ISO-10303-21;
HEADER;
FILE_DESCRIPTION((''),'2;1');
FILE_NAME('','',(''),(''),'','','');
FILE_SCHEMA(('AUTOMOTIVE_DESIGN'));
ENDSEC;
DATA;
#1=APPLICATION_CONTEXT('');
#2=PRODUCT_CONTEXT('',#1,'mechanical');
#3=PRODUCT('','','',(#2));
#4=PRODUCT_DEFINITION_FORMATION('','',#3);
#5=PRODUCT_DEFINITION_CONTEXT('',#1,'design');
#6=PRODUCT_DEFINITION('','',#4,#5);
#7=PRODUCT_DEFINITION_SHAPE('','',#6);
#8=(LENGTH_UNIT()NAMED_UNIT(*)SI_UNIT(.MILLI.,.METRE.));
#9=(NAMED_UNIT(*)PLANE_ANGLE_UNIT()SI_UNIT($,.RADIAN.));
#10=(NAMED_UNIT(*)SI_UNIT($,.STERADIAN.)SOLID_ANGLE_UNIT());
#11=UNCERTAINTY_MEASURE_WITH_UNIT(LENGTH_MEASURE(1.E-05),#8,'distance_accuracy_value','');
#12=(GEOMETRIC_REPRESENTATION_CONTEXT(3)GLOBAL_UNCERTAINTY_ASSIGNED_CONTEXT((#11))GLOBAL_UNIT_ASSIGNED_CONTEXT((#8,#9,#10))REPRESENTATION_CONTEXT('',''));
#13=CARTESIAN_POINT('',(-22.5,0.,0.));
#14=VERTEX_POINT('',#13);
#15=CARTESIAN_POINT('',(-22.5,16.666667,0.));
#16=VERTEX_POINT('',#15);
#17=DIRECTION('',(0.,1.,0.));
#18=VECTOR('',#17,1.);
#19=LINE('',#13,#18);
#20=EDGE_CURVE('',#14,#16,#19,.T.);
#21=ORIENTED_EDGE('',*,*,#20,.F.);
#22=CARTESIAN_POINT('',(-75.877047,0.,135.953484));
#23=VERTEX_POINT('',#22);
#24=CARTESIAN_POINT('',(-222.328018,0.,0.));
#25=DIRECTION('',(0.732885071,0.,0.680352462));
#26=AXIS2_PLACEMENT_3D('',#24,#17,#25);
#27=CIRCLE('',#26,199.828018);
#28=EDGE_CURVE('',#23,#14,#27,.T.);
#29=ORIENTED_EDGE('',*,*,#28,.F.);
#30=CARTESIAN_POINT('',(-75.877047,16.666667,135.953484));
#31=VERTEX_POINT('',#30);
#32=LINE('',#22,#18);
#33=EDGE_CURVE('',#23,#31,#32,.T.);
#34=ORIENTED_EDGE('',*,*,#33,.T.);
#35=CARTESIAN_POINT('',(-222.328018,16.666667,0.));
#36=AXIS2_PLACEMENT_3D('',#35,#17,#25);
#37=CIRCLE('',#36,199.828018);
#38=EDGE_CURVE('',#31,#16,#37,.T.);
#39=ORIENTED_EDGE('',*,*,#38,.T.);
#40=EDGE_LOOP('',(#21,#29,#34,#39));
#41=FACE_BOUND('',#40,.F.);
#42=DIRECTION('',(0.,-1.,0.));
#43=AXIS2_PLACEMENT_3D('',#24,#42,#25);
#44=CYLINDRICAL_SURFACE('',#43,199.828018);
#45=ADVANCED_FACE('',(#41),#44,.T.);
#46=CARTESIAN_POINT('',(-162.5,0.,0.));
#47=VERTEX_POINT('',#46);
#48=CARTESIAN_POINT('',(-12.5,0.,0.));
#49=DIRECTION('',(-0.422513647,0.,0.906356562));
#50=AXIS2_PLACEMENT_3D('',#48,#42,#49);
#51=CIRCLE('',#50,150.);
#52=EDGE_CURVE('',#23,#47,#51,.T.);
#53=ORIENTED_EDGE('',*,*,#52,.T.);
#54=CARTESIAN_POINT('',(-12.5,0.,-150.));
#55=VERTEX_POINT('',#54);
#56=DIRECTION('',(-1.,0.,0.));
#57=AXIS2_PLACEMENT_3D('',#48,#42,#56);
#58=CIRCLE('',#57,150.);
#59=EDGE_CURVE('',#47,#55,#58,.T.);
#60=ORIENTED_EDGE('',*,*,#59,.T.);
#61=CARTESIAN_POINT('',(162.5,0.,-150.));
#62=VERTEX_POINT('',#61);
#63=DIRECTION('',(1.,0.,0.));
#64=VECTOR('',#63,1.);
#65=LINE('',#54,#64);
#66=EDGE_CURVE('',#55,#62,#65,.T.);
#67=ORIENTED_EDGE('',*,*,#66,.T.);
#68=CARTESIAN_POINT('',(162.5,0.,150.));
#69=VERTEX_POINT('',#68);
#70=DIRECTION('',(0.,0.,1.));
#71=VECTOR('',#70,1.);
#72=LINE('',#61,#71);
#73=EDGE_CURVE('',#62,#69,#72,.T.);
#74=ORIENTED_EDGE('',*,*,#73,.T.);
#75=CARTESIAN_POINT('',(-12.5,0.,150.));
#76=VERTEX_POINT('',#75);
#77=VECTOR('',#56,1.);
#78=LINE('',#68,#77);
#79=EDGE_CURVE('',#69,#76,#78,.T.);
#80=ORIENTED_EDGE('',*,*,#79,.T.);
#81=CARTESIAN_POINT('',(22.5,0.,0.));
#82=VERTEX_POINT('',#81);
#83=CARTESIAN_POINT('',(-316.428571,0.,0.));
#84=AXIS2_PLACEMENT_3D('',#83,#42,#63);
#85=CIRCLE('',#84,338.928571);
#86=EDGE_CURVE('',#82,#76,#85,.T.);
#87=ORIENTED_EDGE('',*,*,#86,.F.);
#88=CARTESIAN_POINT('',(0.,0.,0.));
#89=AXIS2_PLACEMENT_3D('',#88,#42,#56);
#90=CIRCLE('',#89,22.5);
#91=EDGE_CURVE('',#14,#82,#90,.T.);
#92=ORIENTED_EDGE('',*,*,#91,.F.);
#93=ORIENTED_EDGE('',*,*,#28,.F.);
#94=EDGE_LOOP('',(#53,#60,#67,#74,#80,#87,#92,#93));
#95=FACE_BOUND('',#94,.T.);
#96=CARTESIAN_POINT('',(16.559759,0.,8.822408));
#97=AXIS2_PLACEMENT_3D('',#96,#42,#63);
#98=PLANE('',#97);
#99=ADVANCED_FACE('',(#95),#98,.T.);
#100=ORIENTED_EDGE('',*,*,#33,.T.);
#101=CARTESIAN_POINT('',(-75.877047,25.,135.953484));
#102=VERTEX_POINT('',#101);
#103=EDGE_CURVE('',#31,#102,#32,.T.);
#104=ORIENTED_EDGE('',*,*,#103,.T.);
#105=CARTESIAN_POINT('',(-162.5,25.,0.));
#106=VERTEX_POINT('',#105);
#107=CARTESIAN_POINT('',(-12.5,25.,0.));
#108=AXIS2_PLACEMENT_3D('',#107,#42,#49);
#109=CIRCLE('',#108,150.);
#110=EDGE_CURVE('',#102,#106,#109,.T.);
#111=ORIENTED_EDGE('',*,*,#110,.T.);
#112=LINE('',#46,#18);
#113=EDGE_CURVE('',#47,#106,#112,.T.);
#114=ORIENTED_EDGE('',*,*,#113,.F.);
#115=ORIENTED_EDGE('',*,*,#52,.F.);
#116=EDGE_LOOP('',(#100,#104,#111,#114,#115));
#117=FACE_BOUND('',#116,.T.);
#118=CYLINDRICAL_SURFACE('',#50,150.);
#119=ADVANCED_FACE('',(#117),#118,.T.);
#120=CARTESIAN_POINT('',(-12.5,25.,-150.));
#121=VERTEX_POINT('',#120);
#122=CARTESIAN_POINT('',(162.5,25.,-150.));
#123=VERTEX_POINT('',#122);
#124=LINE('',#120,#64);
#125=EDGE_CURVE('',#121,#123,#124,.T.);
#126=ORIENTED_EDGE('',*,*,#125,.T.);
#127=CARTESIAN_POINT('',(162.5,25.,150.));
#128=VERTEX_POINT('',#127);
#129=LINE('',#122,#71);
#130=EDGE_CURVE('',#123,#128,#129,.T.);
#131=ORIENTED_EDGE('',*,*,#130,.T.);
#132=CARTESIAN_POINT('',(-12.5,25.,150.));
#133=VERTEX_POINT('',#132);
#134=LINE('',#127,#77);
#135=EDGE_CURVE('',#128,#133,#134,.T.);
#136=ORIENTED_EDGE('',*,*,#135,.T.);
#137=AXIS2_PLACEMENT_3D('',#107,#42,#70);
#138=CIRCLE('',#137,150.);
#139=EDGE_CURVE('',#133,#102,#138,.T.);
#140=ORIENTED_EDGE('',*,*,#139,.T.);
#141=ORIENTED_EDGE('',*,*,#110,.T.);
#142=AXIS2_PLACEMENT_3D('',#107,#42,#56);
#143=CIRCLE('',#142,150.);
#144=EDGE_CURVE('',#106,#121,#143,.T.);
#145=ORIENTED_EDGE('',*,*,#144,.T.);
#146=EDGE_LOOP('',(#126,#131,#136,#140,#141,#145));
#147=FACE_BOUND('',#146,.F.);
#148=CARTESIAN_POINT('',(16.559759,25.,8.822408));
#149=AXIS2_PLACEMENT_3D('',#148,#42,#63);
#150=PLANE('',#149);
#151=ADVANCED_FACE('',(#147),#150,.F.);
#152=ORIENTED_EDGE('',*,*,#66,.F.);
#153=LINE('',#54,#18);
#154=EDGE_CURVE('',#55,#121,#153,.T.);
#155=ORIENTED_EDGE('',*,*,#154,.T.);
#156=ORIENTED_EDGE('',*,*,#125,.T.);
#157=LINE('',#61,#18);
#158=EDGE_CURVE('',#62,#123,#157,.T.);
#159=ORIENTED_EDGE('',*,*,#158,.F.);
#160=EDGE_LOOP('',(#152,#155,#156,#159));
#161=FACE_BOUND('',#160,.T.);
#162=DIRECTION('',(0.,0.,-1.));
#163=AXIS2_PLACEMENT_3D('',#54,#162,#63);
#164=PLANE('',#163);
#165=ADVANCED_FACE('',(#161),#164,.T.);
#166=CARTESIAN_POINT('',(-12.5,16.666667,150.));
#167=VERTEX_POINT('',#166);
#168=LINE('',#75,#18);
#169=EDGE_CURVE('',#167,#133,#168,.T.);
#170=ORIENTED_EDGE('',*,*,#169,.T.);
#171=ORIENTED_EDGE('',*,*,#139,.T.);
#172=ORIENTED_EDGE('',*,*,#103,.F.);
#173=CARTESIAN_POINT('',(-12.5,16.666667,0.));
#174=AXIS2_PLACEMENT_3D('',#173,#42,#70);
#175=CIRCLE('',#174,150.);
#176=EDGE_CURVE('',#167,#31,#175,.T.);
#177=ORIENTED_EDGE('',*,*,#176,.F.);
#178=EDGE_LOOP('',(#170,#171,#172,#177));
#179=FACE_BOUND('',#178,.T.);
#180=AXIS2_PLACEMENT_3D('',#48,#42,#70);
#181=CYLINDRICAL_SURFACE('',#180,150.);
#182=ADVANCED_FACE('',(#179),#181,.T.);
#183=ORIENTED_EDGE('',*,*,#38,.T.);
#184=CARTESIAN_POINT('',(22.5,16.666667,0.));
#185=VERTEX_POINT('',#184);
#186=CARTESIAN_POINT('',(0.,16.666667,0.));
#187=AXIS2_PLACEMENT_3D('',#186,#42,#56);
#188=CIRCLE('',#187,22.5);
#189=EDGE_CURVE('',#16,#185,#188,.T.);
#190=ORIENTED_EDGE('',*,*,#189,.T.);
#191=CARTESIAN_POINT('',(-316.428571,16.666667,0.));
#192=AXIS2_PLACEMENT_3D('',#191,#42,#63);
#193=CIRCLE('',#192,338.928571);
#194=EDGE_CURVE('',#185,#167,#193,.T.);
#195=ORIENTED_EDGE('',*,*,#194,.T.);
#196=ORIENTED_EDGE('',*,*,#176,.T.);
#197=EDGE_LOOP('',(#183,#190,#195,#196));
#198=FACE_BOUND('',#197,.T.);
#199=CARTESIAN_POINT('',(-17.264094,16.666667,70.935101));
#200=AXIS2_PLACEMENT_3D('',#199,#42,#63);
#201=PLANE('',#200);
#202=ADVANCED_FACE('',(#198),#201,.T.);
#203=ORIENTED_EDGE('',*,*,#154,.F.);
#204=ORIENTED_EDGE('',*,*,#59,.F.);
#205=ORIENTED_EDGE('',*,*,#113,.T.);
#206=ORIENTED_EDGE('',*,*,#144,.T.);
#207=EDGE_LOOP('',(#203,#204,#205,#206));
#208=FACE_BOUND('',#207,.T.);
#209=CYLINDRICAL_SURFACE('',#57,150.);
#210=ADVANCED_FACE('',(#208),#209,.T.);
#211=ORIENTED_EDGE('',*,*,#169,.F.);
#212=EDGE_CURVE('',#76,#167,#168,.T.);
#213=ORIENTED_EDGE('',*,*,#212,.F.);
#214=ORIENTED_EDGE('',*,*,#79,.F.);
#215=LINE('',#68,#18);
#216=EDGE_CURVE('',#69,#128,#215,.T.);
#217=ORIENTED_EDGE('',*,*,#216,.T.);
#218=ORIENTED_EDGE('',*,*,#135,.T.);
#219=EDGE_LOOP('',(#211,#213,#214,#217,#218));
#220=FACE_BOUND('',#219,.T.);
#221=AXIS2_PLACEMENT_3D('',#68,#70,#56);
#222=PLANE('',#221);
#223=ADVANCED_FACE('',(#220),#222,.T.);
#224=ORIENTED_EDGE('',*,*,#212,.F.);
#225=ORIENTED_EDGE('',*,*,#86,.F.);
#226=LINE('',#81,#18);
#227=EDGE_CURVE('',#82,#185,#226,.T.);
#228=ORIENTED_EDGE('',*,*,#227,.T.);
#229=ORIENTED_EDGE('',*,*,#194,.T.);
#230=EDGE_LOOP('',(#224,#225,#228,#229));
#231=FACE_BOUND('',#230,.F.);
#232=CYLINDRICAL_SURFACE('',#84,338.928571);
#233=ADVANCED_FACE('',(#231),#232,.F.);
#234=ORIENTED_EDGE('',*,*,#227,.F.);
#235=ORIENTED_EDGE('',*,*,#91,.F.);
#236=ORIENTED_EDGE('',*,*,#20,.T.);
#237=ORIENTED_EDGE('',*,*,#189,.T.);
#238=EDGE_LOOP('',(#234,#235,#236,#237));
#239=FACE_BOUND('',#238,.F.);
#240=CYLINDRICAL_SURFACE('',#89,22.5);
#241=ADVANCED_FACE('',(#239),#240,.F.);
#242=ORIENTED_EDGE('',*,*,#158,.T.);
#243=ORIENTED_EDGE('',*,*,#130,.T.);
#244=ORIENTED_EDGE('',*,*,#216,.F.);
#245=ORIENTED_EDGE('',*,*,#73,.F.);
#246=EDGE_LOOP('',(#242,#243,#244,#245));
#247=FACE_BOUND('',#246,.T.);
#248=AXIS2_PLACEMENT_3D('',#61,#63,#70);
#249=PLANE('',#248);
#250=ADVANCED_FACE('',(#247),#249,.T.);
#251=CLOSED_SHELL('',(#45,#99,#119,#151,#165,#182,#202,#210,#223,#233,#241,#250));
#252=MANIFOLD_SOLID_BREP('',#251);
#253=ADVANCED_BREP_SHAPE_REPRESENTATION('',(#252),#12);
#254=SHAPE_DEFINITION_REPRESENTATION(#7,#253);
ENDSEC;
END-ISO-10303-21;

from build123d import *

# Parameters (mm, degrees)
F3_DEPTH = 25
F4_DEPTH = 16.6666666667
F5_W     = 25
F5_H     = 300
F6_DEPTH = 400


with BuildPart() as f3:
    # F2 (on Front) → F3 (new body)
    with BuildSketch(Plane.XZ):
        with BuildLine():
            Line((162.5, 150), (-12.5, 150))
            ThreePointArc((-12.5, 150), (13.6340385875, 77.0146090037), (22.5, 0))
            ThreePointArc((22.5, 0), (0, -22.5), (-22.5, 0))
            ThreePointArc((-22.5, 0), (-36.3223137223, 73.0281778836), (-75.877047, 135.9534843745))
            ThreePointArc((-75.877047, 135.9534843745), (-139.0040652509, 80.6022423696), (-162.5, 0))
            ThreePointArc((-162.5, 0), (-118.566017178, -106.066017178), (-12.5, -150))
            Line((-12.5, -150), (162.5, -150))
            Line((162.5, -150), (162.5, 150))
        make_face()
        with BuildLine():
            ThreePointArc((22.5, 0), (13.6340385875, 77.0146090037), (-12.5, 150))
            ThreePointArc((-12.5, 150), (-44.9574902282, 146.4462745449), (-75.877047, 135.9534843745))
            ThreePointArc((-75.877047, 135.9534843745), (-36.3223137223, 73.0281778836), (-22.5, 0))
            ThreePointArc((-22.5, 0), (0, -22.5), (22.5, 0))
        make_face()
    extrude(amount=-F3_DEPTH)

    # F2 (on Front) → F4 (cut)
    with BuildSketch(Plane.XZ):
        with BuildLine():
            ThreePointArc((22.5, 0), (13.6340385875, 77.0146090037), (-12.5, 150))
            ThreePointArc((-12.5, 150), (-44.9574902282, 146.4462745449), (-75.877047, 135.9534843745))
            ThreePointArc((-75.877047, 135.9534843745), (-36.3223137223, 73.0281778836), (-22.5, 0))
            ThreePointArc((-22.5, 0), (0, -22.5), (22.5, 0))
        make_face()
    extrude(amount=-F4_DEPTH, mode=Mode.SUBTRACT)


with BuildPart() as f6:
    # F5 (on face) → F6 (new body)
    with BuildSketch(Plane(origin=(0, 25, 0), x_dir=(-1, 0, 0), z_dir=(0, 1, 0))):
        with Locations((-150, 0)):
            Rectangle(F5_W, F5_H)
    extrude(amount=-F6_DEPTH)


with BuildPart() as f9_1:
    # F9: instance of F3
    add(f3.part.mirror(Plane(origin=(150, -175, 0), x_dir=(-1, 0, 0), z_dir=(0, -1, 0))))


with BuildPart() as f10_1:
    # F10: copy of F3
    add(f3.part)


solid = f3.part
